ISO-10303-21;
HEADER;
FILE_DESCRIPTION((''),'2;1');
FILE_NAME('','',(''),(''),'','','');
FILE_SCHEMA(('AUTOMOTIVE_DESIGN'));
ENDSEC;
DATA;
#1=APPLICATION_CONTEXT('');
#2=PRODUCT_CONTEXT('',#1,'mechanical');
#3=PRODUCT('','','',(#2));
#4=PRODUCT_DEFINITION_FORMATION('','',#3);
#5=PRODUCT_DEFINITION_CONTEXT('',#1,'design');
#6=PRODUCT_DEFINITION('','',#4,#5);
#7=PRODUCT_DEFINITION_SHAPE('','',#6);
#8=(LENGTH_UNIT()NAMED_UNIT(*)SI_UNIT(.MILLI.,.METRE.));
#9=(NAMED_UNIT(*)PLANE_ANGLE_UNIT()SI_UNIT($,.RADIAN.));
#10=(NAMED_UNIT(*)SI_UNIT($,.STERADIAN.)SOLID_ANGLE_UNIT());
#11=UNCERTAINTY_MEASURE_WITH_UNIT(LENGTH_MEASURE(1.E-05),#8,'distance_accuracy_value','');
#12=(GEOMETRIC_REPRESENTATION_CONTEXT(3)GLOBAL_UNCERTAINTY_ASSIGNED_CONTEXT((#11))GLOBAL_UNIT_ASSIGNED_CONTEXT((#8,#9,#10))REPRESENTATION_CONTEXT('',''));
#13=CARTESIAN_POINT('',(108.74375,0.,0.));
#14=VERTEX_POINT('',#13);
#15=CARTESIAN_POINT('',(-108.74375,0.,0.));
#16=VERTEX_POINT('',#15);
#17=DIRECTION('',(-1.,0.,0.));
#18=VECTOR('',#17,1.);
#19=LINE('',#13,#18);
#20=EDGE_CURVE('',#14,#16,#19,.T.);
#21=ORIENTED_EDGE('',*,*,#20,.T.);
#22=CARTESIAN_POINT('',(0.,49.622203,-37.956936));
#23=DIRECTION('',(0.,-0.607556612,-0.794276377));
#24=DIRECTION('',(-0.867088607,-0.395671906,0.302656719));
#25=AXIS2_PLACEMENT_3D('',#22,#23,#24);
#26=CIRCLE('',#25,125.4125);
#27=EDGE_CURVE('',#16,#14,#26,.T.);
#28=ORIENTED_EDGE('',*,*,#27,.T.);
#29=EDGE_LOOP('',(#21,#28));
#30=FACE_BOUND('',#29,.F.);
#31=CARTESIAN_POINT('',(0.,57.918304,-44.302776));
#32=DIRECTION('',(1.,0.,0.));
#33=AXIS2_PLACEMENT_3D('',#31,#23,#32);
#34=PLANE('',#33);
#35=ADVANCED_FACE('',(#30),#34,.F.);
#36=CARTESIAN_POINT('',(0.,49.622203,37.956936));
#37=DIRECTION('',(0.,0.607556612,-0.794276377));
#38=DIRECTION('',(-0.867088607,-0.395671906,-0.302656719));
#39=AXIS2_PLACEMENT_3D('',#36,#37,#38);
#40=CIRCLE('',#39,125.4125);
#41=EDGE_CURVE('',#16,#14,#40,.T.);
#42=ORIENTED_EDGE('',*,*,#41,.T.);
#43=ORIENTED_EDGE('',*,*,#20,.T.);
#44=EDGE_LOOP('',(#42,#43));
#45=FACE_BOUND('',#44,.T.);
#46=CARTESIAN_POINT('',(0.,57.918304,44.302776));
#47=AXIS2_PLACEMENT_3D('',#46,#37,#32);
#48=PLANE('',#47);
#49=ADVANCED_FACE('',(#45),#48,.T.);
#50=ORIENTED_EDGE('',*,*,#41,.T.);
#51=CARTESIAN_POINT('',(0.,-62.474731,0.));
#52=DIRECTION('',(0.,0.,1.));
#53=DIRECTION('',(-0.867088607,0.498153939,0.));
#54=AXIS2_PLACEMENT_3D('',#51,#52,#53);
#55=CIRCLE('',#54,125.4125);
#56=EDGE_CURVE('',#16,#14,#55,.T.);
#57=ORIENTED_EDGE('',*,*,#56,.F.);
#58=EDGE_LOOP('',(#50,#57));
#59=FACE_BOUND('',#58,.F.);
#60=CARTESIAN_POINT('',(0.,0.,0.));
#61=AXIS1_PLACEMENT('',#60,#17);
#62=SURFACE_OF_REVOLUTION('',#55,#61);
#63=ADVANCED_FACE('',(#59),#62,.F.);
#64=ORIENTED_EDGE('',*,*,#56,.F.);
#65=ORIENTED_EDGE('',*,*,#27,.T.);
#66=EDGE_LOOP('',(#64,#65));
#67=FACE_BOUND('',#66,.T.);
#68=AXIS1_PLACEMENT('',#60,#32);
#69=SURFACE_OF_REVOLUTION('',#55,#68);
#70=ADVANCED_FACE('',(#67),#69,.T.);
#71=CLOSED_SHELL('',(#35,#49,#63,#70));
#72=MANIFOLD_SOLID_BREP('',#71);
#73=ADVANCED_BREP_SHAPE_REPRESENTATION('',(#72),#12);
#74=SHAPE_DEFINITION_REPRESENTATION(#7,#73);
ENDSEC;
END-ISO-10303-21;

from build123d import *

# Parameters (mm, degrees)
F1_ANGLE = 285.173922


with BuildPart() as f1:
    # F0 (on Top) → F1 (revolve, symmetric)
    with BuildSketch(Plane.XY) as f1_sk:
        with BuildLine():
            Line((108.74375, 0), (-108.74375, 0))
            ThreePointArc((-108.74375, 0), (0, -187.887231), (108.74375, 0))
        make_face()
    revolve(axis=Axis((0, 0, 0), (1, 0, 0)), revolution_arc=F1_ANGLE / 2)
    revolve(f1_sk.sketch, axis=Axis((0, 0, 0), (-1, 0, 0)), revolution_arc=F1_ANGLE / 2)


solid = f1.part
